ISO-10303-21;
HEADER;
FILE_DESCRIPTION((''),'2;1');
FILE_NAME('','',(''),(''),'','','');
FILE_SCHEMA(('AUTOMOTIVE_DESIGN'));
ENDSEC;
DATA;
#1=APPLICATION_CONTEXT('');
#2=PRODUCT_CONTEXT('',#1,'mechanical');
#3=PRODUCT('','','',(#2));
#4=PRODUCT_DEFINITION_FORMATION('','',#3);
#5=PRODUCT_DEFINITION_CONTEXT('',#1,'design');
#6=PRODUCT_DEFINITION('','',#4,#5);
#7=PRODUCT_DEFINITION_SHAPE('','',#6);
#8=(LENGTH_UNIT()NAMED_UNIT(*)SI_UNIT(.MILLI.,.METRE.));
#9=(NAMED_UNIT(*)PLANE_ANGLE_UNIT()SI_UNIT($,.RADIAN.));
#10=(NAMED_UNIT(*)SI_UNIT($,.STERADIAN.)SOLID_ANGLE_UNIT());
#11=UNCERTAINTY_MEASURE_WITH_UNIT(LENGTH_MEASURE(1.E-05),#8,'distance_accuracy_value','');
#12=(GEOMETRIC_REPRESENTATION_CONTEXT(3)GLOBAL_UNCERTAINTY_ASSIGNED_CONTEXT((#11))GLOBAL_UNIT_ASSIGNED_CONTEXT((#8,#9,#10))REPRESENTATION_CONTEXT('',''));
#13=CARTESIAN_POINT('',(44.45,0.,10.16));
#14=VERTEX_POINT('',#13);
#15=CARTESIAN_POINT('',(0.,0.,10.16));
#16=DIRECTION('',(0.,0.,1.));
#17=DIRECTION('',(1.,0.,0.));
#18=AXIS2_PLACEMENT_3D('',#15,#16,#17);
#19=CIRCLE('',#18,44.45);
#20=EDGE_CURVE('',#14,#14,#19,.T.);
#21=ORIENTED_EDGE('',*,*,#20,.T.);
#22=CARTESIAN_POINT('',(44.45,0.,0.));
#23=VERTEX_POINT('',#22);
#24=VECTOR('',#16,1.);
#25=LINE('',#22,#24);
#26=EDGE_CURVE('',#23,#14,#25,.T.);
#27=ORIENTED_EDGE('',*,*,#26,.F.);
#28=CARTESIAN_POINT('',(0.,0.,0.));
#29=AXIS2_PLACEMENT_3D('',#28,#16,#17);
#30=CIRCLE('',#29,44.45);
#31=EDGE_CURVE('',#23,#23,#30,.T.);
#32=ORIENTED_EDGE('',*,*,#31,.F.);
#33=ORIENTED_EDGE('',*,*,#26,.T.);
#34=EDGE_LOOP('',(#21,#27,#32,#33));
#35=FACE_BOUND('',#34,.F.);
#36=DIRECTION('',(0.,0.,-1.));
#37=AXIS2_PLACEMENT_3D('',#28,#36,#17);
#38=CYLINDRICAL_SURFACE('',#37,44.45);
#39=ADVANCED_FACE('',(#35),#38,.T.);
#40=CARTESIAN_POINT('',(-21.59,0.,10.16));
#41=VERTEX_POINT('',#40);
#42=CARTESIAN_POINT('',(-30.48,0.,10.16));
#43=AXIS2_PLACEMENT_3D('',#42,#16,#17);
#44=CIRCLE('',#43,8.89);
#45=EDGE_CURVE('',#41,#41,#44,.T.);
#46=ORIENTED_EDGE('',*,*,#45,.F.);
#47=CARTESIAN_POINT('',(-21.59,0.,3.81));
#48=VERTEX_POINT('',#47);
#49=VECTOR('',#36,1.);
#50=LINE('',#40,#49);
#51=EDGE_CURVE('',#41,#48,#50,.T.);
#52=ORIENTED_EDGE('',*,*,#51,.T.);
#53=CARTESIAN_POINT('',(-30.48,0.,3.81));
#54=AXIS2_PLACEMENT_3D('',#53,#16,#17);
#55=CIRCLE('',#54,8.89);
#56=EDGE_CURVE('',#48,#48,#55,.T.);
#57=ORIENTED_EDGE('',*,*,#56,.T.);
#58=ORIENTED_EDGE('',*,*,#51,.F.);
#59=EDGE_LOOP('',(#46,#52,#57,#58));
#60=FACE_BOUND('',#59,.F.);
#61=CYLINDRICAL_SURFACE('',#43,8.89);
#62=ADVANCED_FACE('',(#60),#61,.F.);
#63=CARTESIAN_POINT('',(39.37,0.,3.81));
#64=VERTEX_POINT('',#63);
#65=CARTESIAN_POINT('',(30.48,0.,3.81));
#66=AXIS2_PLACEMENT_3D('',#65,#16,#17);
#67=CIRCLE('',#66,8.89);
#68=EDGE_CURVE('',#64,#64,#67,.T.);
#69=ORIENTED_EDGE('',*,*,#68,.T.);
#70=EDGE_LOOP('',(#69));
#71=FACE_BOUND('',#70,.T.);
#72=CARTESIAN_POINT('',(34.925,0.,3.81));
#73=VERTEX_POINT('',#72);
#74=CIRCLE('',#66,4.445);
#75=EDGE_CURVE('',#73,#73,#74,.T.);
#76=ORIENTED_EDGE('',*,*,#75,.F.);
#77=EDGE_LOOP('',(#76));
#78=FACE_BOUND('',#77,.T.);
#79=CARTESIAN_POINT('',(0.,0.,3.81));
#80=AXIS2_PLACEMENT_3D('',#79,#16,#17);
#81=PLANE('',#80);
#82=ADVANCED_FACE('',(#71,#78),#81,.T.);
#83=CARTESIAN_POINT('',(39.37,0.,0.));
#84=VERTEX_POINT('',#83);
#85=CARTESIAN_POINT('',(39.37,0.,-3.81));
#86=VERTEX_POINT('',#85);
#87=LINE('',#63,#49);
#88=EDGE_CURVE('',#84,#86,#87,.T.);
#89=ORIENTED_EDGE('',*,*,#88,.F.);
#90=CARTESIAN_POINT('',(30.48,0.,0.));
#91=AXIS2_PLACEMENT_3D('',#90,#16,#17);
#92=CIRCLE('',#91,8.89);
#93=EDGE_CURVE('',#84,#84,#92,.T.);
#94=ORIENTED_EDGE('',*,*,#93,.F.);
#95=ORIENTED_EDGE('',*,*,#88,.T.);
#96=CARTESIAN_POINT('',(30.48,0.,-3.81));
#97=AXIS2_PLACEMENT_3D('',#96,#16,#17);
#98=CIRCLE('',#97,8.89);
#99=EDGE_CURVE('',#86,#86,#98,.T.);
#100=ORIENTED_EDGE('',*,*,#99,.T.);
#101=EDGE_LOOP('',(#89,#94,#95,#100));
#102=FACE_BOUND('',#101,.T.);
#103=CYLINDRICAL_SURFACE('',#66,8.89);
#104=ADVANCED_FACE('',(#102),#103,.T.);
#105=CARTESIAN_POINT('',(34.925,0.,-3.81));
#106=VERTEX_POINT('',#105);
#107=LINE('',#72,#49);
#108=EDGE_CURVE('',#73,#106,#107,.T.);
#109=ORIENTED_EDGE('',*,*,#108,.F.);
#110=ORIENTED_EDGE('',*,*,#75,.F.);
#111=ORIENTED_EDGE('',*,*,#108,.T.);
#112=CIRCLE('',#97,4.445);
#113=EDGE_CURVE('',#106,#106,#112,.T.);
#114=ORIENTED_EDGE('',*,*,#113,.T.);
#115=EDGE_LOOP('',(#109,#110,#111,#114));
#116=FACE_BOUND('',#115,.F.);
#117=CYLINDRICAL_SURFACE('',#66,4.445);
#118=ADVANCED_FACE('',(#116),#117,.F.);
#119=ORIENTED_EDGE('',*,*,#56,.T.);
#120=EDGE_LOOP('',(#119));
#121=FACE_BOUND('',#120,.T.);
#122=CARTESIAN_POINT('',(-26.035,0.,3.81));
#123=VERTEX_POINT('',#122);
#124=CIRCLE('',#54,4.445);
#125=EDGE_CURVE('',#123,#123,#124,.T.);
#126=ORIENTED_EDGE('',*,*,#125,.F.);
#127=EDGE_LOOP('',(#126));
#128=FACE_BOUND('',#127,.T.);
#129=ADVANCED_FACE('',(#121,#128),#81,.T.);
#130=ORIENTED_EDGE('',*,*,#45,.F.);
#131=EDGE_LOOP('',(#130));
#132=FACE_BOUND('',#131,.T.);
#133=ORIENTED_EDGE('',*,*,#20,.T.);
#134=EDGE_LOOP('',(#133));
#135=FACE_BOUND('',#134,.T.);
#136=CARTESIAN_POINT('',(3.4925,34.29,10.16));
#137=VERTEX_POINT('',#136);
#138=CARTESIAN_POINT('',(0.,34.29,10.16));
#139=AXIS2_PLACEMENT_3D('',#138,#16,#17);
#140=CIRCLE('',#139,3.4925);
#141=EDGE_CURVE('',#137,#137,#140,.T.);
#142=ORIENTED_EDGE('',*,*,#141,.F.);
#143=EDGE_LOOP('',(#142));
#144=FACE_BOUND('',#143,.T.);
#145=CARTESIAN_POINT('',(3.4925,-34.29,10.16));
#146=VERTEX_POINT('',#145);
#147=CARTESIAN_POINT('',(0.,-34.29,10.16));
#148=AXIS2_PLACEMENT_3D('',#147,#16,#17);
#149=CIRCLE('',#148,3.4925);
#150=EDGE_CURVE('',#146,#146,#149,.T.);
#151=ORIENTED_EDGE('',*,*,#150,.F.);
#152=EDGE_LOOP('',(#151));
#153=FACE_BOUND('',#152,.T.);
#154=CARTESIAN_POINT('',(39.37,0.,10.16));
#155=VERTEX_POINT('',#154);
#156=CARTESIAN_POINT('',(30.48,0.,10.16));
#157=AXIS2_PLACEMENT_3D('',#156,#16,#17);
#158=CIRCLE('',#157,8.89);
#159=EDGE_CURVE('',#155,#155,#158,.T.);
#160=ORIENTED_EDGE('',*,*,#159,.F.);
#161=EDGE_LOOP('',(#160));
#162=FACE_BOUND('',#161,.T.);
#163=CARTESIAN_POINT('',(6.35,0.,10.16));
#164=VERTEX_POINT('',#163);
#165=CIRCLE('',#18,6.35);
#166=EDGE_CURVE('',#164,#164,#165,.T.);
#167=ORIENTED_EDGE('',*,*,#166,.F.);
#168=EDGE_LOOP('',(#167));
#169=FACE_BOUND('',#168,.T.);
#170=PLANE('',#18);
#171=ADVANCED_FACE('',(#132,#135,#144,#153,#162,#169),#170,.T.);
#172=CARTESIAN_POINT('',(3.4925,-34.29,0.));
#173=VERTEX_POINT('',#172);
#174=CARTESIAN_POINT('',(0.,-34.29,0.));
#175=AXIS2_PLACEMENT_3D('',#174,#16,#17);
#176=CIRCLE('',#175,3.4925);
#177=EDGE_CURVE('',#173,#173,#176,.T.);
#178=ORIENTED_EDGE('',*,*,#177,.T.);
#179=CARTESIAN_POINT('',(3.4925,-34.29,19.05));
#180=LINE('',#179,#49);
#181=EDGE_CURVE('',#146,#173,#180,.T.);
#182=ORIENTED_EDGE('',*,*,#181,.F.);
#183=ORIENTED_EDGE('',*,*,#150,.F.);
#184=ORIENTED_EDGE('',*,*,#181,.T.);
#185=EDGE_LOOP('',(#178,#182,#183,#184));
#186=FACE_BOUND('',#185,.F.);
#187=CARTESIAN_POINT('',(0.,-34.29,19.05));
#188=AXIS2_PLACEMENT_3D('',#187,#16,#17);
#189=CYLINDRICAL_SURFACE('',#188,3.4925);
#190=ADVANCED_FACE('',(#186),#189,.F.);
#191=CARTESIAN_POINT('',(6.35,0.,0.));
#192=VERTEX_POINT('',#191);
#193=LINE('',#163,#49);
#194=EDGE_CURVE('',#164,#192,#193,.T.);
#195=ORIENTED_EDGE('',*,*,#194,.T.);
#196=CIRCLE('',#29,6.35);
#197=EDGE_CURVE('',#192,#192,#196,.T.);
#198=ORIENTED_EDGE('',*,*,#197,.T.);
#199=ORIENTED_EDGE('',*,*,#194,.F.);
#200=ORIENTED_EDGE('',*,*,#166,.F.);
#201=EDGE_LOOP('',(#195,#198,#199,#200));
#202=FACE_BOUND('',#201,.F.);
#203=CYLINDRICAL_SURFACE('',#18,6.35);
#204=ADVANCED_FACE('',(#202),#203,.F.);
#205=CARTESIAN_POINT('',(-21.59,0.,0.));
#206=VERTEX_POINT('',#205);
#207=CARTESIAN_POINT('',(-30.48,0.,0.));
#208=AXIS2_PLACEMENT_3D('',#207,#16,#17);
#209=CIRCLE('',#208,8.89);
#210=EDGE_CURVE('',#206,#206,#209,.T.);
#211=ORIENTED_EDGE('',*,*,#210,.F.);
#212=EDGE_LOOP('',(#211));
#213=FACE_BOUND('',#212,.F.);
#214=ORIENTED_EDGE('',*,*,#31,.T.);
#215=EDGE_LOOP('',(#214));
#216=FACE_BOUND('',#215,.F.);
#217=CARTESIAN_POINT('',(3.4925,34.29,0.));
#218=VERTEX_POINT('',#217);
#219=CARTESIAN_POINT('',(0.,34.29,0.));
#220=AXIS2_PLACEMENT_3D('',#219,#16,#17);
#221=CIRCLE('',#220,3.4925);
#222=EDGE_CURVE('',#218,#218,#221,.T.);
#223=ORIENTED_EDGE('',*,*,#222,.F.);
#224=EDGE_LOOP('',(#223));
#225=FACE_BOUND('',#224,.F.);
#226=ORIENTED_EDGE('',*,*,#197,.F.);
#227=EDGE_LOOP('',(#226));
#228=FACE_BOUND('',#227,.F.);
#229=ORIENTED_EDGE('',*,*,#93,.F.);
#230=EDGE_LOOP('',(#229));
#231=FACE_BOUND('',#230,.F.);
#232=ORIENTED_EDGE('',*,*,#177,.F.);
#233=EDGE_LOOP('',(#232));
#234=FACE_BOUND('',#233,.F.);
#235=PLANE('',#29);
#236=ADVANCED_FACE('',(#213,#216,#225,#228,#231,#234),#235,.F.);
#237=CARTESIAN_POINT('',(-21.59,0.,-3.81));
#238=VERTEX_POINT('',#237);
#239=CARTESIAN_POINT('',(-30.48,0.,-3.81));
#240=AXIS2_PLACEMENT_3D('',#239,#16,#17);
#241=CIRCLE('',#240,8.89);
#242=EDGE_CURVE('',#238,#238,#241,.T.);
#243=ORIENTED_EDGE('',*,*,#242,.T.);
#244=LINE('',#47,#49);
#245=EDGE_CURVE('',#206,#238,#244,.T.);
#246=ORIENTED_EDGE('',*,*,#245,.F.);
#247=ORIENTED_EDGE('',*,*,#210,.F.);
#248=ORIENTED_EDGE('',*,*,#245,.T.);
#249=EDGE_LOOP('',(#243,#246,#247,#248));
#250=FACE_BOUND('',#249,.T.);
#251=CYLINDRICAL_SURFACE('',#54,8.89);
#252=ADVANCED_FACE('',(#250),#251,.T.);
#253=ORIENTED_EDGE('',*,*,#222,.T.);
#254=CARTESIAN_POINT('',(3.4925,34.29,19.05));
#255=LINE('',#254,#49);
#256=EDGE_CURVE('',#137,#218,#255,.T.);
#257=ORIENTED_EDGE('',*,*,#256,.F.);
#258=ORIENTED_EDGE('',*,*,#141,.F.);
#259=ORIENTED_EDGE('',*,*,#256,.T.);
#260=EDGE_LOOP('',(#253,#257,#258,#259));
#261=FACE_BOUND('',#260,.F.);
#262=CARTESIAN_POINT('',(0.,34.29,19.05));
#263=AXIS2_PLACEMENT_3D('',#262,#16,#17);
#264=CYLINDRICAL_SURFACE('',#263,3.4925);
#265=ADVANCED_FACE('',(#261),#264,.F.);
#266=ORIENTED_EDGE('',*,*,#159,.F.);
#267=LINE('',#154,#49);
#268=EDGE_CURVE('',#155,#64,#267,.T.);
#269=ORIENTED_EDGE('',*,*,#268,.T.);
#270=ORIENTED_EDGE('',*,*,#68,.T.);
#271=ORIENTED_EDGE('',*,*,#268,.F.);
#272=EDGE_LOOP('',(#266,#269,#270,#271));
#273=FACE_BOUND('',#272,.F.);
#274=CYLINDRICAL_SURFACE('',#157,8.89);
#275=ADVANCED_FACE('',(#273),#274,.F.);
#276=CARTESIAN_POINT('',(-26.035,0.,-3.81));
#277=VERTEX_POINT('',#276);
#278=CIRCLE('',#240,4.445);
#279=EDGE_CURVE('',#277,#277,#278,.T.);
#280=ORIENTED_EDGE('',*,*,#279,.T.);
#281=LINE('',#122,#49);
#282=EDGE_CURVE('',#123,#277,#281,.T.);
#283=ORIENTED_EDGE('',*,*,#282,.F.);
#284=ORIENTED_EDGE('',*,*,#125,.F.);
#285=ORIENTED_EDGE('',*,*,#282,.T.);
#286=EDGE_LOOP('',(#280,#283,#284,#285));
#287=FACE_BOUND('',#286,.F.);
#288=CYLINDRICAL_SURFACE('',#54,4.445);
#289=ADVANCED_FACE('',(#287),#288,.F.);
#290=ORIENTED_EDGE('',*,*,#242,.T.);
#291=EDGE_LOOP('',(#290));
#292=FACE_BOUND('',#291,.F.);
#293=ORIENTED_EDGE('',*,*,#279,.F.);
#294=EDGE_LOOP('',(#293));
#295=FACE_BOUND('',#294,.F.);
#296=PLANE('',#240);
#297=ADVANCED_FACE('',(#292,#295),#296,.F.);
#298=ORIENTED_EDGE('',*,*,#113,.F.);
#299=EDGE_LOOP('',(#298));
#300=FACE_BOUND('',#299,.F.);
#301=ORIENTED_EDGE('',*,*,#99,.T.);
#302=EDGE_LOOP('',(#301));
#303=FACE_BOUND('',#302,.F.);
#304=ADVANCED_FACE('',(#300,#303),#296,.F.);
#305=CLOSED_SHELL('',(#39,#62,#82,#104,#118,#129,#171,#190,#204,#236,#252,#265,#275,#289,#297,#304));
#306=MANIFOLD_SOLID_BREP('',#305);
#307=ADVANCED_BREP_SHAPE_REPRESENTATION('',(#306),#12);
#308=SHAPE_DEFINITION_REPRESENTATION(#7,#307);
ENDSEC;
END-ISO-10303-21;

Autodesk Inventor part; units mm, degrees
ref_plane "YZ Plane" through (0, 0, 0) normal (1, 0, 0) x (0, 1, 0)
ref_plane "XZ Plane" through (0, 0, 0) normal (0, 1, 0) x (-1, 0, 0)
ref_plane "XY Plane" through (0, 0, 0) normal (0, 0, 1) x (1, 0, 0)
sketch "Sketch1" plane through (0, 0, 0) normal (0, 0, 1) x (1, 0, 0)
  circle A0 centre (0, 0) radius 44.45
  dimension "d0" = 88.9
extrude "Extrusion1" add sketch "Sketch1" along normal blind 19.05
sketch "Sketch2" plane through (0, 0, 19.05) normal (0, 0, 1) x (1, 0, 0)
  circle A0 centre (0, 34.29) radius 3.4925
  circle A1 centre (0, -34.29) radius 3.4925
  point P0 (0, 0)
  dimension "d3" = 6.985
  dimension "d4" = 34.29
  dimension "d5" = 6.985
  dimension "d6" = 34.29
sketch "Sketch3" plane through (0, 0, 19.05) normal (0, 0, 1) x (1, 0, 0)
  circle A0 centre (0, 0) radius 44.45
  dimension "d9" = 88.9
extrude "Extrusion3" cut sketch "Sketch3" against normal blind 8.89
sketch "Sketch4" plane through (0, 0, 10.16) normal (0, 0, 1) x (1, 0, 0)
  circle A0 centre (0, 0) radius 6.35
  dimension "d12" = 12.7
extrude "Extrusion4" cut sketch "Sketch2" against normal blind 26.9875
extrude "Extrusion5" cut sketch "Sketch4" against normal blind 44.45
sketch "Sketch5" plane through (0, 0, 10.16) normal (0, 0, 1) x (1, 0, 0)
  circle A0 centre (-30.48, 0) radius 4.445
  circle A1 centre (0, 0) radius 6.35 projected
  circle A2 centre (0, 34.29) radius 3.4925 projected
  line L0 (0, 0) -> (0, 34.29)
  circle A3 centre (30.48, 0) radius 4.445
  dimension "d17" = 8.89
  dimension "d18" = 30.48
  dimension "d19" = 34.29
extrude "Extrusion6" cut sketch "Sketch5" against normal blind 80.9625 contours A0 | A3
sketch "Sketch6" plane through (0, 0, 10.16) normal (0, 0, 1) x (1, 0, 0)
  circle A0 centre (-30.48, 0) radius 8.89
  circle A1 centre (0, 34.29) radius 3.4925 projected
  line L0 (0, 0) -> (0, 34.29)
  circle A2 centre (30.48, 0) radius 8.89
  circle A3 centre (-30.48, 0) radius 4.445
  circle A4 centre (-30.48, 0) radius 4.445 projected
  circle A5 centre (30.48, 0) radius 4.445
  dimension "d22" = 17.78
  dimension "d23" = 30.48
  dimension "d24" = 34.29
  dimension "d25" = 0
extrude "Extrusion7" cut sketch "Sketch6" against normal blind 6.35 contours A0 | A2
sketch "Sketch8" plane through (-30.48, 0, 3.81) normal (0, 0, 1) x (1, 0, 0)
  circle A0 centre (0, 0) radius 4.445
  circle A1 centre (0, 0) radius 8.89
  circle A2 centre (0, 0) radius 4.445 projected
  circle A3 centre (0, 0) radius 8.89 projected
  circle A4 centre (30.48, 34.29) radius 3.4925 projected
  line L0 (30.48, 34.29) -> (30.48, 0)
  circle A5 centre (60.96, 0) radius 4.445
  circle A6 centre (60.96, 0) radius 8.89
  dimension "d28" = 0
  dimension "d29" = 0
  dimension "d30" = 30.48
  dimension "d31" = 34.29
extrude "Extrusion8" add sketch "Sketch8" against normal blind 7.62 contours A1 | A6
properties part number "Crank"
